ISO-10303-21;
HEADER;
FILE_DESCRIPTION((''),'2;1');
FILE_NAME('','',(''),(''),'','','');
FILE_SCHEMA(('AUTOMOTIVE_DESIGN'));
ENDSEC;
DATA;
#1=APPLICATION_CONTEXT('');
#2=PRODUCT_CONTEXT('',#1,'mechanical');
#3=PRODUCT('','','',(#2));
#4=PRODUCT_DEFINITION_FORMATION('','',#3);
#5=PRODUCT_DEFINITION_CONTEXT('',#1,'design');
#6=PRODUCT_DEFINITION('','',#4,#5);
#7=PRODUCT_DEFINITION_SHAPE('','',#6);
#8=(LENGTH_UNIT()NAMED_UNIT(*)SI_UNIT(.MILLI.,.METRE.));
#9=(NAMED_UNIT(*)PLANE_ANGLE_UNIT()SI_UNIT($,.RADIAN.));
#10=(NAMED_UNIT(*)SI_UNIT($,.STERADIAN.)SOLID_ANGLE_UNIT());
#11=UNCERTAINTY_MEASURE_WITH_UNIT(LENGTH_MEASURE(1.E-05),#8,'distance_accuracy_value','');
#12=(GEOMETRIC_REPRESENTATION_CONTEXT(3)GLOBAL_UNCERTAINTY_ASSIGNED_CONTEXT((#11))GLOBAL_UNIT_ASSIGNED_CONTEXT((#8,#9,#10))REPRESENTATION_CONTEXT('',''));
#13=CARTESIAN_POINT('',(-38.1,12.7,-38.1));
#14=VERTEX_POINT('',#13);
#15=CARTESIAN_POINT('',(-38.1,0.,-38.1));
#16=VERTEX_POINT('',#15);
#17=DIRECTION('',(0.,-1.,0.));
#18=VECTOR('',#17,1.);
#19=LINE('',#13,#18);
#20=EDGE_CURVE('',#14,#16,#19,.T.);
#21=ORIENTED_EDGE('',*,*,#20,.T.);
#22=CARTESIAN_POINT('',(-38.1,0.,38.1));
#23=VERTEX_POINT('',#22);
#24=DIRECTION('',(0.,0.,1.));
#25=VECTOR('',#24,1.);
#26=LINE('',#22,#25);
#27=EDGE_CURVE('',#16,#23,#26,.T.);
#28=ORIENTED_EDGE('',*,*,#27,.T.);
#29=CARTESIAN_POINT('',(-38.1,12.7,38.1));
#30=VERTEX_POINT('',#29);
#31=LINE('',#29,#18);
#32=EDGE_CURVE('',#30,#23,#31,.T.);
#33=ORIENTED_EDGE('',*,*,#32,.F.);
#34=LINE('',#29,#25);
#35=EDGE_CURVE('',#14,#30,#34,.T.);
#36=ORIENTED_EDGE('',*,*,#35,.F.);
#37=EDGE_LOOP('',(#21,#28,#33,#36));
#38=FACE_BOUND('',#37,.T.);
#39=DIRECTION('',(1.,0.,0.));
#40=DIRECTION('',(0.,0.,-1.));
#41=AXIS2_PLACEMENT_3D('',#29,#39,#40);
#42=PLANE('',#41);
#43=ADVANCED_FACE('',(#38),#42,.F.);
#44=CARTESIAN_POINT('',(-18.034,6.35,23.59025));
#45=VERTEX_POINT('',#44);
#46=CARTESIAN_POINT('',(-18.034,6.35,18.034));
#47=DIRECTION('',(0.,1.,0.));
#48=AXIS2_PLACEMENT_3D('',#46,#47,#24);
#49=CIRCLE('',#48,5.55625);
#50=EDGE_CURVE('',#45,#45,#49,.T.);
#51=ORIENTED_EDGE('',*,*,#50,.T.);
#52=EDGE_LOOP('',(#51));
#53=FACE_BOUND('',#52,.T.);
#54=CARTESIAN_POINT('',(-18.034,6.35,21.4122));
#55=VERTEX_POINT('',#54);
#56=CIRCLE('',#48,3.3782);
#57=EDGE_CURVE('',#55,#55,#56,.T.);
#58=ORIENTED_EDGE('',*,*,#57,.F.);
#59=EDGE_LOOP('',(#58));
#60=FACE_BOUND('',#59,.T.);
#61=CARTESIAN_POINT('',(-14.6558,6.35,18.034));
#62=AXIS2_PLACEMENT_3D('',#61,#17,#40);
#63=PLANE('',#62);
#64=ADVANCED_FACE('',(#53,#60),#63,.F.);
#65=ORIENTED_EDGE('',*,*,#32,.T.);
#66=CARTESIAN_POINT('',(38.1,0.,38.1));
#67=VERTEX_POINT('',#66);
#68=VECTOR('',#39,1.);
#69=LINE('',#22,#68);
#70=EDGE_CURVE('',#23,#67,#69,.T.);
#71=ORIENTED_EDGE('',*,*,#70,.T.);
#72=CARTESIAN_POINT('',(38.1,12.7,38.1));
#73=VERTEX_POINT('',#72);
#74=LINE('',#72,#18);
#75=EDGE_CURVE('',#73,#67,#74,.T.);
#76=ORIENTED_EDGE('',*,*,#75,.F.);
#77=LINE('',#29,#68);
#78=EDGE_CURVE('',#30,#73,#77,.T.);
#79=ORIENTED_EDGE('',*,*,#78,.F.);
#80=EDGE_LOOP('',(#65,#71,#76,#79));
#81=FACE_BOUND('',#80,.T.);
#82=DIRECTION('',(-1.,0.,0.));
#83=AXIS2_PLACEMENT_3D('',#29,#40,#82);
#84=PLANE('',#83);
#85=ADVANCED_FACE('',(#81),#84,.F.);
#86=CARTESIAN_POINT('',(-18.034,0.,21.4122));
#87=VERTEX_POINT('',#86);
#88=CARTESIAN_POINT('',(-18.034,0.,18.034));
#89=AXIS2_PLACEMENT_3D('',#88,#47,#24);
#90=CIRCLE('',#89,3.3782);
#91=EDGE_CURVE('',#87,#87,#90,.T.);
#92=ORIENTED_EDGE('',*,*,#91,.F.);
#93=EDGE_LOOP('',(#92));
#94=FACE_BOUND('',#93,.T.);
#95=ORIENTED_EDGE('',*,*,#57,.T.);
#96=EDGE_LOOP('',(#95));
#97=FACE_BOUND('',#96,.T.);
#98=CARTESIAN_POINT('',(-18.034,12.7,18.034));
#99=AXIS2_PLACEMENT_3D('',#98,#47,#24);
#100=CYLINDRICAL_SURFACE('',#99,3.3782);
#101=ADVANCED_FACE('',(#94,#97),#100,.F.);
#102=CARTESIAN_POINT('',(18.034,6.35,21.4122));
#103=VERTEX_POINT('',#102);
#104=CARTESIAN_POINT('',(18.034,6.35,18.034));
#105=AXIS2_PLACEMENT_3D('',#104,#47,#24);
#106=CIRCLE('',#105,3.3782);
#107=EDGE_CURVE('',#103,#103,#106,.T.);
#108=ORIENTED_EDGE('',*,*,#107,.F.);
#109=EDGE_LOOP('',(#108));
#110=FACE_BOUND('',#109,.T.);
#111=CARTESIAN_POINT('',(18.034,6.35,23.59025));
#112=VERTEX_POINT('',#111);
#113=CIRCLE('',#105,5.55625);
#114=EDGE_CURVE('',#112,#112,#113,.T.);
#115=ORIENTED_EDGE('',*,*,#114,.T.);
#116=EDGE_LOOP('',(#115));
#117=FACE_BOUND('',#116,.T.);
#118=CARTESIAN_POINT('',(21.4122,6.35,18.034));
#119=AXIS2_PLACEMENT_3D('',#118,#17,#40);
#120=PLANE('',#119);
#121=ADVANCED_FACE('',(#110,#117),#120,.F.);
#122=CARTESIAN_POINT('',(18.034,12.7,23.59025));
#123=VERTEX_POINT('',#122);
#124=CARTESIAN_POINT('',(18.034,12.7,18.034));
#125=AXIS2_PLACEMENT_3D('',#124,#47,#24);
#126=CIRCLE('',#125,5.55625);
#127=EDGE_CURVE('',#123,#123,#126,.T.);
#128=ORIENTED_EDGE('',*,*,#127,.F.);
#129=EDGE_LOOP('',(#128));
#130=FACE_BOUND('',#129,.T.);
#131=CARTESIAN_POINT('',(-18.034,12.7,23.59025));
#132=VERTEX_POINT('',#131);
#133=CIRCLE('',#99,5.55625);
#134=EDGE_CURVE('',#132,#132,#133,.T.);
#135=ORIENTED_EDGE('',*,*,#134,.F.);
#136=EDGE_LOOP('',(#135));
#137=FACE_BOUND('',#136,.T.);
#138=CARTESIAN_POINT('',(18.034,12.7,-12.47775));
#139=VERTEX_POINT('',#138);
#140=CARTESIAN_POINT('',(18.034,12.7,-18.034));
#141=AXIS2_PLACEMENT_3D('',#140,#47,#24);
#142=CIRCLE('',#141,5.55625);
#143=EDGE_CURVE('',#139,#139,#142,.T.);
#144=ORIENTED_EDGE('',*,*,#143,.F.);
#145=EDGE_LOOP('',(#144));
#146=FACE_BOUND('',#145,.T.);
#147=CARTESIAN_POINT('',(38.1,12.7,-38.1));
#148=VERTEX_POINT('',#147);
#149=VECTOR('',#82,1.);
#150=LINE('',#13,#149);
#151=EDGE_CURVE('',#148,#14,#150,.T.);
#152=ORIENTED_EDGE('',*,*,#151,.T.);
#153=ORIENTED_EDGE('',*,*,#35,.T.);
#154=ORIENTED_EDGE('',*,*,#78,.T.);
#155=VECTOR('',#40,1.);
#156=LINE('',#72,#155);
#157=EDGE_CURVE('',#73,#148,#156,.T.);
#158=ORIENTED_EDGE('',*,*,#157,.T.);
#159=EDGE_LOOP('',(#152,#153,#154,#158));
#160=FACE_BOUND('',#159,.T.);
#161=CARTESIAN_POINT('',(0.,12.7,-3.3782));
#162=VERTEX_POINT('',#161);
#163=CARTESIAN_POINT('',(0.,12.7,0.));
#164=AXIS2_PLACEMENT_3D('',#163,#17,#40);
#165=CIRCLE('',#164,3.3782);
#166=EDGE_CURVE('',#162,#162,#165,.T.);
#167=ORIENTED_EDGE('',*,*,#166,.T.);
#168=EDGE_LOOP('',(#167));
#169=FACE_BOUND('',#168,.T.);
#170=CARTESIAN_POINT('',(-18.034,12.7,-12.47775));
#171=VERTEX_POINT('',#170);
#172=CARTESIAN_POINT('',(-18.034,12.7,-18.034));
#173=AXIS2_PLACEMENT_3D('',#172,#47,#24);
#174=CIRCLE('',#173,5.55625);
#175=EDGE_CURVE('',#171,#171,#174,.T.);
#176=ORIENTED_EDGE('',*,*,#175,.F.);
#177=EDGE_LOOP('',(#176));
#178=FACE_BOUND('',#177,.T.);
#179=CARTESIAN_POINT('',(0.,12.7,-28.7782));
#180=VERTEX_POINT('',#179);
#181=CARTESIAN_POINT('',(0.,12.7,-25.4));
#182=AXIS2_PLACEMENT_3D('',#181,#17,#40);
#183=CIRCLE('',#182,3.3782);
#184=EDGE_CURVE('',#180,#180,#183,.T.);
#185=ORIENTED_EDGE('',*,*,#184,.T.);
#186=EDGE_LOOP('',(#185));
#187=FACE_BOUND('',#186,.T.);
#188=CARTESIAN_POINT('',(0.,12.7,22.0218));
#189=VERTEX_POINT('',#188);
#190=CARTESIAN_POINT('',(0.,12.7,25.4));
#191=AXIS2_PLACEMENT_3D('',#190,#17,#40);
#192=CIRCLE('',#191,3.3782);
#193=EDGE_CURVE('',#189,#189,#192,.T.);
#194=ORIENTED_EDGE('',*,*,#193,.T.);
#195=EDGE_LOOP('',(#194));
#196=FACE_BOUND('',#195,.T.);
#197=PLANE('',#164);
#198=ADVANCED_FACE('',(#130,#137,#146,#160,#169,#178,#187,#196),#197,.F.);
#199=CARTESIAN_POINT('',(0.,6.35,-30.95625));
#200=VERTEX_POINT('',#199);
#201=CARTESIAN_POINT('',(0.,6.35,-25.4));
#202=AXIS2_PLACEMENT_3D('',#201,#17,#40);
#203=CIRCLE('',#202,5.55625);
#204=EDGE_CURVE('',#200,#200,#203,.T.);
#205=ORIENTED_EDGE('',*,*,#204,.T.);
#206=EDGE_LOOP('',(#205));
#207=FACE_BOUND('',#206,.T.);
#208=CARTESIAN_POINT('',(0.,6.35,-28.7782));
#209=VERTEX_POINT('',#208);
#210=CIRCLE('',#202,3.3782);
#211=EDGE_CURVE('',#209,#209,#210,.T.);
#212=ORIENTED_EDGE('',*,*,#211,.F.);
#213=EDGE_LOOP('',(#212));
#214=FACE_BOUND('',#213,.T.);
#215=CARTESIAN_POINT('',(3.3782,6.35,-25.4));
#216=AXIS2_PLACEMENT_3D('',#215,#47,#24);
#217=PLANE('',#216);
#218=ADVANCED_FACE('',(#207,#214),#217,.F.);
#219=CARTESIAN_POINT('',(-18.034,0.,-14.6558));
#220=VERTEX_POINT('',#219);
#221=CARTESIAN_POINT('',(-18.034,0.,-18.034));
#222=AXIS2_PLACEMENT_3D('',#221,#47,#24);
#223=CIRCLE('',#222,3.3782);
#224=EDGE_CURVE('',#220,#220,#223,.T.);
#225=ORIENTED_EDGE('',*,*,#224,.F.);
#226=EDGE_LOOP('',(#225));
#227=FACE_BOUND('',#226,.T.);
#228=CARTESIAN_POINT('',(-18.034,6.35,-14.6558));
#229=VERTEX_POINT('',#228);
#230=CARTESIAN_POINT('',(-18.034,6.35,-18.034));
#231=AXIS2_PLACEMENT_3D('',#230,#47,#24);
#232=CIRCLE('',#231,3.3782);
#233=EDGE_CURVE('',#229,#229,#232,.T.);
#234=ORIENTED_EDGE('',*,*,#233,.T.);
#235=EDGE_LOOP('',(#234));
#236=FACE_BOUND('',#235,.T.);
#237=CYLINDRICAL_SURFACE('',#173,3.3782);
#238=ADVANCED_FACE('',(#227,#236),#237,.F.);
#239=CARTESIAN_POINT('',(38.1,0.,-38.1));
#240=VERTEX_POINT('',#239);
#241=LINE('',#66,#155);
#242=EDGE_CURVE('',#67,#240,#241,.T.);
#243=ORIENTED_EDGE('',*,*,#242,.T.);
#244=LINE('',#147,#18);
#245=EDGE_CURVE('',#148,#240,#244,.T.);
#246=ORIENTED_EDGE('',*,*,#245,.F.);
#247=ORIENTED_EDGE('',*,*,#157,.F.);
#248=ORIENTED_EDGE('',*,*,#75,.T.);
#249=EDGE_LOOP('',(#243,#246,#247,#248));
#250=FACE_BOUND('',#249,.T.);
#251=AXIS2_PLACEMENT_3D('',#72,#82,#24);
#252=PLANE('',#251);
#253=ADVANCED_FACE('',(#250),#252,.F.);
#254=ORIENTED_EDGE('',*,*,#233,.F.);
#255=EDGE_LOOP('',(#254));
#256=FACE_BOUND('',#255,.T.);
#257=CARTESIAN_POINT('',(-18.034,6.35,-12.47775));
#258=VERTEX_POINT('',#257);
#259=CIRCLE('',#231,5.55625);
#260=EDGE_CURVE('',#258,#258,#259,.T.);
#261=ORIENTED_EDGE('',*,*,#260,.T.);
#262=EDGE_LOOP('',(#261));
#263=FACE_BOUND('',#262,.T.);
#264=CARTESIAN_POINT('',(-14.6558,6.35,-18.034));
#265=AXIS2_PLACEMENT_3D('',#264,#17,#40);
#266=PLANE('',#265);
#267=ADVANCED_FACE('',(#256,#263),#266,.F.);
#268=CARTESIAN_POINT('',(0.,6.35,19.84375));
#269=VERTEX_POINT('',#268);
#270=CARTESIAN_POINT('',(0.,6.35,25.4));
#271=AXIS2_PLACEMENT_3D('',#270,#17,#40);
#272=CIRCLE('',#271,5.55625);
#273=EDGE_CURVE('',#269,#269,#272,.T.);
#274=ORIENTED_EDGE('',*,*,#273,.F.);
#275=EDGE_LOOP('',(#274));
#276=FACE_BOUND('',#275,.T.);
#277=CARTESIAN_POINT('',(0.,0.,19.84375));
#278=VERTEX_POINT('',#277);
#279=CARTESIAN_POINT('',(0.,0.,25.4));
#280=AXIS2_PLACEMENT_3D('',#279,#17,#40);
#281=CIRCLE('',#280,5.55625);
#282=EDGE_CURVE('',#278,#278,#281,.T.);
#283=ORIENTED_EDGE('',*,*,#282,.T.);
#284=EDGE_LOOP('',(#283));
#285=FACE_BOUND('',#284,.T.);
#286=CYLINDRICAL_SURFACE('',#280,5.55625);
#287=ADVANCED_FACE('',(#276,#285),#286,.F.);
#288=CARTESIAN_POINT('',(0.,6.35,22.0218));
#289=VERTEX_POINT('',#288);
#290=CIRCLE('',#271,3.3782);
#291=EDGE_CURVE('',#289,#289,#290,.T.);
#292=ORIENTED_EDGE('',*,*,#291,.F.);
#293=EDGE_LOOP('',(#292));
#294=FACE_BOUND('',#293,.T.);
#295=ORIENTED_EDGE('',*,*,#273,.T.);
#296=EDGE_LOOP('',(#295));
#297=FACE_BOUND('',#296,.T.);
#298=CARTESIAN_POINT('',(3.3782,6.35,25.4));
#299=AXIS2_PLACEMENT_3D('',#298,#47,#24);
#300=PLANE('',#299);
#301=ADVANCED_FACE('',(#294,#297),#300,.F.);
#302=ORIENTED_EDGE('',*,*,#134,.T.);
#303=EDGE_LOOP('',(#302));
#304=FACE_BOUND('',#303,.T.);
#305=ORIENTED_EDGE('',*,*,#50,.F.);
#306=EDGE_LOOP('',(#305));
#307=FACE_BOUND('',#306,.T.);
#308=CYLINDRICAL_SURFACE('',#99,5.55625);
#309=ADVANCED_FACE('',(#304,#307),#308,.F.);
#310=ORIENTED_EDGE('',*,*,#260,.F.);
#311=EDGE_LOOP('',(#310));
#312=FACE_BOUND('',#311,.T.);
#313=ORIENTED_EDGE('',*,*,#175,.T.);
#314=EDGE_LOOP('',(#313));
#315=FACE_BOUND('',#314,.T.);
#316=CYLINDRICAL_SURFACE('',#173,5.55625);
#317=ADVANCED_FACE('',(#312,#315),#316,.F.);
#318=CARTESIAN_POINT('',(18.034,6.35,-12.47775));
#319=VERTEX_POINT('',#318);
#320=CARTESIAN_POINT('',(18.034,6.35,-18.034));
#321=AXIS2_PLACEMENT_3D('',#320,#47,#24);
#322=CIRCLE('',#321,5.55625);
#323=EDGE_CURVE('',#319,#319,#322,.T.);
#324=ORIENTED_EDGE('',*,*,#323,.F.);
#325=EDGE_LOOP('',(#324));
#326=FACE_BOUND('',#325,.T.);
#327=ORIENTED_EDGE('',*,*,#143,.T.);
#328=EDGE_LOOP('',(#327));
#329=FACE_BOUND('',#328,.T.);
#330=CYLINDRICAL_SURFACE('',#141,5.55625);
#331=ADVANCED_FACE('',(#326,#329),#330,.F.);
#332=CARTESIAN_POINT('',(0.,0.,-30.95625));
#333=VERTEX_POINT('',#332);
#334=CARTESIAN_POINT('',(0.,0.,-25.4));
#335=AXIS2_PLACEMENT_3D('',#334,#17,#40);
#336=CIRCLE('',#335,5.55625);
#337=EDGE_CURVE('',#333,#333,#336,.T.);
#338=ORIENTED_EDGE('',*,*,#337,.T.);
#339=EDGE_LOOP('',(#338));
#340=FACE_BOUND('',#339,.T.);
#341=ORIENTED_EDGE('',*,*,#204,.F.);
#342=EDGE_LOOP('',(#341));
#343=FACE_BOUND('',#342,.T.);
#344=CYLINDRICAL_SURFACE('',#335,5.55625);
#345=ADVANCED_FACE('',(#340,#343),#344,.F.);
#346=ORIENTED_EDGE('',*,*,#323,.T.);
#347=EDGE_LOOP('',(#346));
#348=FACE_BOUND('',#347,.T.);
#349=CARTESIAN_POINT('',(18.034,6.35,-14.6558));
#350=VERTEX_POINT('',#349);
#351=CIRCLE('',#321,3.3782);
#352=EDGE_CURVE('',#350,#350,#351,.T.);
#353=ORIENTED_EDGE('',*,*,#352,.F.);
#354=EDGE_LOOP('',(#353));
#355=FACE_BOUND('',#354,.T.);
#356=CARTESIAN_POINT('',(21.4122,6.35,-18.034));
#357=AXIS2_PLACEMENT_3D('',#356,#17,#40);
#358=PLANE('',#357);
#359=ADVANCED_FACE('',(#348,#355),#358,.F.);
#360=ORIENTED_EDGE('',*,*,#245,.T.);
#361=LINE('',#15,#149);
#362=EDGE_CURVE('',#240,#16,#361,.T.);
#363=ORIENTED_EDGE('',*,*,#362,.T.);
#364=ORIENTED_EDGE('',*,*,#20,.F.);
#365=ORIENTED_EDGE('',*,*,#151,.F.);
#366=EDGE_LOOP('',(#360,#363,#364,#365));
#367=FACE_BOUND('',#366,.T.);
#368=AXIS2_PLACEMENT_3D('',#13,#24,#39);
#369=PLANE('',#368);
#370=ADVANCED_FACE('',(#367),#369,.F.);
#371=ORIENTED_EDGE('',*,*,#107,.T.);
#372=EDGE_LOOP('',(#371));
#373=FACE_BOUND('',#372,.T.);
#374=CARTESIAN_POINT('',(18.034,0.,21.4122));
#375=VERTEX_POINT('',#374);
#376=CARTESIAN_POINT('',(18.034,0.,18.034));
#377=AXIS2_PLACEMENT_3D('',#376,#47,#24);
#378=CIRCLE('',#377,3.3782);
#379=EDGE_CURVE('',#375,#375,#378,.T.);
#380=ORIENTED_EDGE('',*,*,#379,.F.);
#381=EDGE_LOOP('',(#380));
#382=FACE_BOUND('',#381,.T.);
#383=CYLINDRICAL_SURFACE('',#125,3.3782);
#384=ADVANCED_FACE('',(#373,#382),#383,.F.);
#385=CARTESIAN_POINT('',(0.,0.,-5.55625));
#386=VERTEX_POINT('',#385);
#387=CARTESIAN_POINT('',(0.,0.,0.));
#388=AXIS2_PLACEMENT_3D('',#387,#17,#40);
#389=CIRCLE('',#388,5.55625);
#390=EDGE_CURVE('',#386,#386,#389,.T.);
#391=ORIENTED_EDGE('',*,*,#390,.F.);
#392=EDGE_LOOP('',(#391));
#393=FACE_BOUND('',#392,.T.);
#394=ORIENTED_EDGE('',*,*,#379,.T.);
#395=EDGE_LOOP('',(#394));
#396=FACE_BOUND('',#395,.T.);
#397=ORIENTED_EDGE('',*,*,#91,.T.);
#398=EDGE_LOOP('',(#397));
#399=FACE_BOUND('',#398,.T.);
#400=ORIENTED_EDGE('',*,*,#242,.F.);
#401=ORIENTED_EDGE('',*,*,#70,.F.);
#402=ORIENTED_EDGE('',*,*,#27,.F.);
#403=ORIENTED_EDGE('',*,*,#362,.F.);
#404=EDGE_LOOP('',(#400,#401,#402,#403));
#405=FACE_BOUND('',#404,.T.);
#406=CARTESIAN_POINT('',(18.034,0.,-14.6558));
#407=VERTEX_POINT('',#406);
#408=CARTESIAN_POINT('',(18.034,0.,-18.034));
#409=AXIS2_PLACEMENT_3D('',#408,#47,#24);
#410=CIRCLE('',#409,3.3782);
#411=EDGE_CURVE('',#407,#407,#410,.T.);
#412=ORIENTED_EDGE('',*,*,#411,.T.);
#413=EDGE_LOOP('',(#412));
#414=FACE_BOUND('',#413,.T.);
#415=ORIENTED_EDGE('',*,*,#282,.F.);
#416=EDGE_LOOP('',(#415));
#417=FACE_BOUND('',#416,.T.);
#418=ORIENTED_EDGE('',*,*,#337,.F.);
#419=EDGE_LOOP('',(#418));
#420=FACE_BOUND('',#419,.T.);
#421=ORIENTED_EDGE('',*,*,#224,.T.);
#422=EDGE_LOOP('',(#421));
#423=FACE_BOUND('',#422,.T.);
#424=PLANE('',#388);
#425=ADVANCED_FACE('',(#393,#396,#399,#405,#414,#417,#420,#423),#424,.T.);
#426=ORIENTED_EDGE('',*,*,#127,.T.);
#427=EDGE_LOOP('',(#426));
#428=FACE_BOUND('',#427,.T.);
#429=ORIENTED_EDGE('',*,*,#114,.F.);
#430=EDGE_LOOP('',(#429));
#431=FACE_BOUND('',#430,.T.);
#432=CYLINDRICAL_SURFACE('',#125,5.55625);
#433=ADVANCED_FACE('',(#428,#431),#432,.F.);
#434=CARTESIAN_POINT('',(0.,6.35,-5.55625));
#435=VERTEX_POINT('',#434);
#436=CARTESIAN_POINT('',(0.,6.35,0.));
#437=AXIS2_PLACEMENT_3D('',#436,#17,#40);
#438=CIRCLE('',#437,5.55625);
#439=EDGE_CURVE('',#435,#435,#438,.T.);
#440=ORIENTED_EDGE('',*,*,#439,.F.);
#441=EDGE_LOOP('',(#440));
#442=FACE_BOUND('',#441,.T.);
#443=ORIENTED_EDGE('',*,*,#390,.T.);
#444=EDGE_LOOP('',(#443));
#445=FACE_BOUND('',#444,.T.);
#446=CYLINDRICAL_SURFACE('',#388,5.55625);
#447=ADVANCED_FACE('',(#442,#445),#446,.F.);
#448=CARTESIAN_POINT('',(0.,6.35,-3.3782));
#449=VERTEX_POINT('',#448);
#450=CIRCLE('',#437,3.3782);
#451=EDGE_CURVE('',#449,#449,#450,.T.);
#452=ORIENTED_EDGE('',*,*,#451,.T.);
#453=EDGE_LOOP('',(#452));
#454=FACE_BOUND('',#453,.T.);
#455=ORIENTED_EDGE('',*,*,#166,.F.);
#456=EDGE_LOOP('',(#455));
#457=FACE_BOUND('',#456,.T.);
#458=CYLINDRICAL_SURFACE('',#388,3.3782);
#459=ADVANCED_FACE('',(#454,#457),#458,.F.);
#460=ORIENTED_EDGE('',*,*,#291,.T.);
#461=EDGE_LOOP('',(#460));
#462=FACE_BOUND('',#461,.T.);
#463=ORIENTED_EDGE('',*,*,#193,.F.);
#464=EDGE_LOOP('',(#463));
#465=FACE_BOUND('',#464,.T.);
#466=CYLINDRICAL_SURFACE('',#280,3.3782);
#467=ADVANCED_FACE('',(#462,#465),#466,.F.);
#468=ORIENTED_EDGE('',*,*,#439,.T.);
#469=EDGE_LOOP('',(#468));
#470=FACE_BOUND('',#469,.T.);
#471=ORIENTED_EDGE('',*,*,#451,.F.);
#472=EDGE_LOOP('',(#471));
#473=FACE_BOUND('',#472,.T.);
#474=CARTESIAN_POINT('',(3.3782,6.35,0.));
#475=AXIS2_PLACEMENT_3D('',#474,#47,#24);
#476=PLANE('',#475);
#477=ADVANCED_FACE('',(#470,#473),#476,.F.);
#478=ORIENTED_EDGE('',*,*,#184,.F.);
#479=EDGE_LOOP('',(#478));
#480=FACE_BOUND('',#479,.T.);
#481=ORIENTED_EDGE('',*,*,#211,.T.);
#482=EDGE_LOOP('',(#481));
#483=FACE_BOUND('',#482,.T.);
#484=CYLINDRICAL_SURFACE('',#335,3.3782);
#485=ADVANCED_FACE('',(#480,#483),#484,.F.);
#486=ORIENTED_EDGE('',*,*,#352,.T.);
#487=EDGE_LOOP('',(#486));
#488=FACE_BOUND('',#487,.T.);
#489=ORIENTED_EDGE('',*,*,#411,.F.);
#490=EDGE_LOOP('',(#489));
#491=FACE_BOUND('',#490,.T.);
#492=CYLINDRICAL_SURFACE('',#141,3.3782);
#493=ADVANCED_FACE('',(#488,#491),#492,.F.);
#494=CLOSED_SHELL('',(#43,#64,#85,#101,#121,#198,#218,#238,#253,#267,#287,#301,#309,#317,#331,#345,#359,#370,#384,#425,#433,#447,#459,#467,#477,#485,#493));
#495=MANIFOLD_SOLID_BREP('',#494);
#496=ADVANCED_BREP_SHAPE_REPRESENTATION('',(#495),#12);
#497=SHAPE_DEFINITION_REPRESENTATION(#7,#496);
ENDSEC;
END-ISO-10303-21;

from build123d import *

# Parameters (mm, degrees)
SKETCH1_W                                        = 76.2
SKETCH1_H                                        = 76.2
BOSS_EXTRUDE1_DEPTH                              = 12.7
CBORE_FOR_1_4_SOCKET_HEAD_CAP_SCREW2_D           = 6.7564
CBORE_FOR_1_4_SOCKET_HEAD_CAP_SCREW2_CBORE_D     = 11.1125
CBORE_FOR_1_4_SOCKET_HEAD_CAP_SCREW2_CBORE_DEPTH = 6.35
CBORE_FOR_1_4_SOCKET_HEAD_CAP_SCREW1_D           = 6.7564
CBORE_FOR_1_4_SOCKET_HEAD_CAP_SCREW1_CBORE_D     = 11.1125
CBORE_FOR_1_4_SOCKET_HEAD_CAP_SCREW1_CBORE_DEPTH = 6.35


with BuildPart() as part:
    # Sketch1 → Boss-Extrude1 (new body)
    with BuildSketch(Plane(origin=(0, 0, 0), x_dir=(1, 0, 0), z_dir=(0, 1, 0))):
        Rectangle(SKETCH1_W, SKETCH1_H)
    extrude(amount=BOSS_EXTRUDE1_DEPTH)

    # CBORE for 1/4 Socket Head Cap Screw2 (through all)
    with Locations(Plane(origin=(0, 12.7, 0), x_dir=(1, 0, 0), z_dir=(0, 1, 0))):
        with Locations((-18.034, 18.034), (18.034, 18.034), (18.034, -18.034), (-18.034, -18.034)):
            CounterBoreHole(CBORE_FOR_1_4_SOCKET_HEAD_CAP_SCREW2_D / 2, CBORE_FOR_1_4_SOCKET_HEAD_CAP_SCREW2_CBORE_D / 2, CBORE_FOR_1_4_SOCKET_HEAD_CAP_SCREW2_CBORE_DEPTH)

    # CBORE for 1/4 Socket Head Cap Screw1 (through all)
    with Locations(Plane(origin=(0, 0, 0), x_dir=(-1, 0, 0), z_dir=(0, -1, 0))):
        with Locations((0, 25.4), (0, 0), (0, -25.4)):
            CounterBoreHole(CBORE_FOR_1_4_SOCKET_HEAD_CAP_SCREW1_D / 2, CBORE_FOR_1_4_SOCKET_HEAD_CAP_SCREW1_CBORE_D / 2, CBORE_FOR_1_4_SOCKET_HEAD_CAP_SCREW1_CBORE_DEPTH)


solid = part.part
